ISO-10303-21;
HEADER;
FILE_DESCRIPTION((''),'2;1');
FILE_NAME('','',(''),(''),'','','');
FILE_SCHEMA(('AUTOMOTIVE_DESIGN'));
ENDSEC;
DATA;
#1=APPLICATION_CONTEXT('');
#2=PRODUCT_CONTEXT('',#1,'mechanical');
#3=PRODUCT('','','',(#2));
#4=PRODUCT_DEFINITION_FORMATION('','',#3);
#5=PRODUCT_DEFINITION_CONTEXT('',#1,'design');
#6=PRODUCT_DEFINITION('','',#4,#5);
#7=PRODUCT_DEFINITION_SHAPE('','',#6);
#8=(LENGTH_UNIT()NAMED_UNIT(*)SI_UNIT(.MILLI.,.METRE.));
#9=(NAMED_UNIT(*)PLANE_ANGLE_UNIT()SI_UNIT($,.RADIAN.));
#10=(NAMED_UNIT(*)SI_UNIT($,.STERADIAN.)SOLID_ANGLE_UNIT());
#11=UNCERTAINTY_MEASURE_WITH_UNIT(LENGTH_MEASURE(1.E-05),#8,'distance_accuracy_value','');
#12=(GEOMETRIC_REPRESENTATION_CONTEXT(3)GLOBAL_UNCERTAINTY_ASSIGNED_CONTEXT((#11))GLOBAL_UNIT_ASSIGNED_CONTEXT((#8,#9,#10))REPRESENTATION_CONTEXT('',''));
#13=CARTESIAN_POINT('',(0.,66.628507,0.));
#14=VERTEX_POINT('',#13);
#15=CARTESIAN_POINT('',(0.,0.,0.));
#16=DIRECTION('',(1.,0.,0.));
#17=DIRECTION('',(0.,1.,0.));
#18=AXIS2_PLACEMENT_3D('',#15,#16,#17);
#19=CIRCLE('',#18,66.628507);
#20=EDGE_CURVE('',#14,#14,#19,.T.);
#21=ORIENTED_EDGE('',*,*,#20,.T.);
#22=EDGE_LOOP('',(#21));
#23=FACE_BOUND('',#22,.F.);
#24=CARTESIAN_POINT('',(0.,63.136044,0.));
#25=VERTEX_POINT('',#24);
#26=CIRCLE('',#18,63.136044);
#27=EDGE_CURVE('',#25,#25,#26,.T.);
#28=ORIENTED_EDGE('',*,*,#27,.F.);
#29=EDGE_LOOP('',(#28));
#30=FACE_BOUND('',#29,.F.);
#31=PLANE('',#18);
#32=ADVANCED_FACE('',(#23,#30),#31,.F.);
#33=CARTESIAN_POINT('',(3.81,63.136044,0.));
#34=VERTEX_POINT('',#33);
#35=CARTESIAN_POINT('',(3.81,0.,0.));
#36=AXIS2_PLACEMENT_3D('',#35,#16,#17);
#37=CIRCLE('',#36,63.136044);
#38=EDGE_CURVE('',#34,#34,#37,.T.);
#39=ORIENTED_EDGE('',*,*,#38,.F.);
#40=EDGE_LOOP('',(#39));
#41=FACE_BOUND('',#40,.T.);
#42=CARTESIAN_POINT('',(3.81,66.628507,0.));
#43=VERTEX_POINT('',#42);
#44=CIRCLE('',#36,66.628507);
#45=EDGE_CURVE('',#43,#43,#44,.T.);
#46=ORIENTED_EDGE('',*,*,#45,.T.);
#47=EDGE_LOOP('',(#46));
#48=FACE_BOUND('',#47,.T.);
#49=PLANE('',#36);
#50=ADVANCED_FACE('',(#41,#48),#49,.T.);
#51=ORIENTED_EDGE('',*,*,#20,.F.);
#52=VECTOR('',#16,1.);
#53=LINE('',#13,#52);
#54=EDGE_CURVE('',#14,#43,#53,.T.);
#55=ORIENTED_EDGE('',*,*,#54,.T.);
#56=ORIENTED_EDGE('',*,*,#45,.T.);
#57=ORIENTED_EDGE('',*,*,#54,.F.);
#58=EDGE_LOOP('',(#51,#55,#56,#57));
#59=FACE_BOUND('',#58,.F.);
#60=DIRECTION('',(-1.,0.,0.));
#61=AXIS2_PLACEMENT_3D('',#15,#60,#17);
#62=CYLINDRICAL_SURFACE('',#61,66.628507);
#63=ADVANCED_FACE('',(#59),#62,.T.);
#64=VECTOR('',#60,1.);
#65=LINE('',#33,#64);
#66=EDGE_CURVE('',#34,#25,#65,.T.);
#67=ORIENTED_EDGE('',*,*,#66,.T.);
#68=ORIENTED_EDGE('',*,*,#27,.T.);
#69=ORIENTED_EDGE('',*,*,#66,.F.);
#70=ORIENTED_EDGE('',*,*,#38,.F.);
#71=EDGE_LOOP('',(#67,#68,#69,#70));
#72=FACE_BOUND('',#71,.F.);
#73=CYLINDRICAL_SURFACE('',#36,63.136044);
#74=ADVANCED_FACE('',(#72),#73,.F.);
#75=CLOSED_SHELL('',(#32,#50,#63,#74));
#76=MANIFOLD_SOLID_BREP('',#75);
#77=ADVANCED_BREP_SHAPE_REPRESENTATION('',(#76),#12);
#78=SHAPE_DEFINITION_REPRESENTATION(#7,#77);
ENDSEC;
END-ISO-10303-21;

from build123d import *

# Parameters (mm, degrees)
F0_R     = 66.628507
F1_DEPTH = 3.81
F2_R     = 63.136044
F3_DEPTH = 3.811


with BuildPart() as f1:
    # F0 (on Right) → F1 (new body)
    with BuildSketch(Plane.YZ):
        Circle(F0_R)
    extrude(amount=F1_DEPTH)

    # F2 (on face) → F3 (cut, through all)
    with BuildSketch(Plane.YZ.offset(3.81)):
        Circle(F2_R)
    extrude(amount=-F3_DEPTH, mode=Mode.SUBTRACT)


solid = f1.part
